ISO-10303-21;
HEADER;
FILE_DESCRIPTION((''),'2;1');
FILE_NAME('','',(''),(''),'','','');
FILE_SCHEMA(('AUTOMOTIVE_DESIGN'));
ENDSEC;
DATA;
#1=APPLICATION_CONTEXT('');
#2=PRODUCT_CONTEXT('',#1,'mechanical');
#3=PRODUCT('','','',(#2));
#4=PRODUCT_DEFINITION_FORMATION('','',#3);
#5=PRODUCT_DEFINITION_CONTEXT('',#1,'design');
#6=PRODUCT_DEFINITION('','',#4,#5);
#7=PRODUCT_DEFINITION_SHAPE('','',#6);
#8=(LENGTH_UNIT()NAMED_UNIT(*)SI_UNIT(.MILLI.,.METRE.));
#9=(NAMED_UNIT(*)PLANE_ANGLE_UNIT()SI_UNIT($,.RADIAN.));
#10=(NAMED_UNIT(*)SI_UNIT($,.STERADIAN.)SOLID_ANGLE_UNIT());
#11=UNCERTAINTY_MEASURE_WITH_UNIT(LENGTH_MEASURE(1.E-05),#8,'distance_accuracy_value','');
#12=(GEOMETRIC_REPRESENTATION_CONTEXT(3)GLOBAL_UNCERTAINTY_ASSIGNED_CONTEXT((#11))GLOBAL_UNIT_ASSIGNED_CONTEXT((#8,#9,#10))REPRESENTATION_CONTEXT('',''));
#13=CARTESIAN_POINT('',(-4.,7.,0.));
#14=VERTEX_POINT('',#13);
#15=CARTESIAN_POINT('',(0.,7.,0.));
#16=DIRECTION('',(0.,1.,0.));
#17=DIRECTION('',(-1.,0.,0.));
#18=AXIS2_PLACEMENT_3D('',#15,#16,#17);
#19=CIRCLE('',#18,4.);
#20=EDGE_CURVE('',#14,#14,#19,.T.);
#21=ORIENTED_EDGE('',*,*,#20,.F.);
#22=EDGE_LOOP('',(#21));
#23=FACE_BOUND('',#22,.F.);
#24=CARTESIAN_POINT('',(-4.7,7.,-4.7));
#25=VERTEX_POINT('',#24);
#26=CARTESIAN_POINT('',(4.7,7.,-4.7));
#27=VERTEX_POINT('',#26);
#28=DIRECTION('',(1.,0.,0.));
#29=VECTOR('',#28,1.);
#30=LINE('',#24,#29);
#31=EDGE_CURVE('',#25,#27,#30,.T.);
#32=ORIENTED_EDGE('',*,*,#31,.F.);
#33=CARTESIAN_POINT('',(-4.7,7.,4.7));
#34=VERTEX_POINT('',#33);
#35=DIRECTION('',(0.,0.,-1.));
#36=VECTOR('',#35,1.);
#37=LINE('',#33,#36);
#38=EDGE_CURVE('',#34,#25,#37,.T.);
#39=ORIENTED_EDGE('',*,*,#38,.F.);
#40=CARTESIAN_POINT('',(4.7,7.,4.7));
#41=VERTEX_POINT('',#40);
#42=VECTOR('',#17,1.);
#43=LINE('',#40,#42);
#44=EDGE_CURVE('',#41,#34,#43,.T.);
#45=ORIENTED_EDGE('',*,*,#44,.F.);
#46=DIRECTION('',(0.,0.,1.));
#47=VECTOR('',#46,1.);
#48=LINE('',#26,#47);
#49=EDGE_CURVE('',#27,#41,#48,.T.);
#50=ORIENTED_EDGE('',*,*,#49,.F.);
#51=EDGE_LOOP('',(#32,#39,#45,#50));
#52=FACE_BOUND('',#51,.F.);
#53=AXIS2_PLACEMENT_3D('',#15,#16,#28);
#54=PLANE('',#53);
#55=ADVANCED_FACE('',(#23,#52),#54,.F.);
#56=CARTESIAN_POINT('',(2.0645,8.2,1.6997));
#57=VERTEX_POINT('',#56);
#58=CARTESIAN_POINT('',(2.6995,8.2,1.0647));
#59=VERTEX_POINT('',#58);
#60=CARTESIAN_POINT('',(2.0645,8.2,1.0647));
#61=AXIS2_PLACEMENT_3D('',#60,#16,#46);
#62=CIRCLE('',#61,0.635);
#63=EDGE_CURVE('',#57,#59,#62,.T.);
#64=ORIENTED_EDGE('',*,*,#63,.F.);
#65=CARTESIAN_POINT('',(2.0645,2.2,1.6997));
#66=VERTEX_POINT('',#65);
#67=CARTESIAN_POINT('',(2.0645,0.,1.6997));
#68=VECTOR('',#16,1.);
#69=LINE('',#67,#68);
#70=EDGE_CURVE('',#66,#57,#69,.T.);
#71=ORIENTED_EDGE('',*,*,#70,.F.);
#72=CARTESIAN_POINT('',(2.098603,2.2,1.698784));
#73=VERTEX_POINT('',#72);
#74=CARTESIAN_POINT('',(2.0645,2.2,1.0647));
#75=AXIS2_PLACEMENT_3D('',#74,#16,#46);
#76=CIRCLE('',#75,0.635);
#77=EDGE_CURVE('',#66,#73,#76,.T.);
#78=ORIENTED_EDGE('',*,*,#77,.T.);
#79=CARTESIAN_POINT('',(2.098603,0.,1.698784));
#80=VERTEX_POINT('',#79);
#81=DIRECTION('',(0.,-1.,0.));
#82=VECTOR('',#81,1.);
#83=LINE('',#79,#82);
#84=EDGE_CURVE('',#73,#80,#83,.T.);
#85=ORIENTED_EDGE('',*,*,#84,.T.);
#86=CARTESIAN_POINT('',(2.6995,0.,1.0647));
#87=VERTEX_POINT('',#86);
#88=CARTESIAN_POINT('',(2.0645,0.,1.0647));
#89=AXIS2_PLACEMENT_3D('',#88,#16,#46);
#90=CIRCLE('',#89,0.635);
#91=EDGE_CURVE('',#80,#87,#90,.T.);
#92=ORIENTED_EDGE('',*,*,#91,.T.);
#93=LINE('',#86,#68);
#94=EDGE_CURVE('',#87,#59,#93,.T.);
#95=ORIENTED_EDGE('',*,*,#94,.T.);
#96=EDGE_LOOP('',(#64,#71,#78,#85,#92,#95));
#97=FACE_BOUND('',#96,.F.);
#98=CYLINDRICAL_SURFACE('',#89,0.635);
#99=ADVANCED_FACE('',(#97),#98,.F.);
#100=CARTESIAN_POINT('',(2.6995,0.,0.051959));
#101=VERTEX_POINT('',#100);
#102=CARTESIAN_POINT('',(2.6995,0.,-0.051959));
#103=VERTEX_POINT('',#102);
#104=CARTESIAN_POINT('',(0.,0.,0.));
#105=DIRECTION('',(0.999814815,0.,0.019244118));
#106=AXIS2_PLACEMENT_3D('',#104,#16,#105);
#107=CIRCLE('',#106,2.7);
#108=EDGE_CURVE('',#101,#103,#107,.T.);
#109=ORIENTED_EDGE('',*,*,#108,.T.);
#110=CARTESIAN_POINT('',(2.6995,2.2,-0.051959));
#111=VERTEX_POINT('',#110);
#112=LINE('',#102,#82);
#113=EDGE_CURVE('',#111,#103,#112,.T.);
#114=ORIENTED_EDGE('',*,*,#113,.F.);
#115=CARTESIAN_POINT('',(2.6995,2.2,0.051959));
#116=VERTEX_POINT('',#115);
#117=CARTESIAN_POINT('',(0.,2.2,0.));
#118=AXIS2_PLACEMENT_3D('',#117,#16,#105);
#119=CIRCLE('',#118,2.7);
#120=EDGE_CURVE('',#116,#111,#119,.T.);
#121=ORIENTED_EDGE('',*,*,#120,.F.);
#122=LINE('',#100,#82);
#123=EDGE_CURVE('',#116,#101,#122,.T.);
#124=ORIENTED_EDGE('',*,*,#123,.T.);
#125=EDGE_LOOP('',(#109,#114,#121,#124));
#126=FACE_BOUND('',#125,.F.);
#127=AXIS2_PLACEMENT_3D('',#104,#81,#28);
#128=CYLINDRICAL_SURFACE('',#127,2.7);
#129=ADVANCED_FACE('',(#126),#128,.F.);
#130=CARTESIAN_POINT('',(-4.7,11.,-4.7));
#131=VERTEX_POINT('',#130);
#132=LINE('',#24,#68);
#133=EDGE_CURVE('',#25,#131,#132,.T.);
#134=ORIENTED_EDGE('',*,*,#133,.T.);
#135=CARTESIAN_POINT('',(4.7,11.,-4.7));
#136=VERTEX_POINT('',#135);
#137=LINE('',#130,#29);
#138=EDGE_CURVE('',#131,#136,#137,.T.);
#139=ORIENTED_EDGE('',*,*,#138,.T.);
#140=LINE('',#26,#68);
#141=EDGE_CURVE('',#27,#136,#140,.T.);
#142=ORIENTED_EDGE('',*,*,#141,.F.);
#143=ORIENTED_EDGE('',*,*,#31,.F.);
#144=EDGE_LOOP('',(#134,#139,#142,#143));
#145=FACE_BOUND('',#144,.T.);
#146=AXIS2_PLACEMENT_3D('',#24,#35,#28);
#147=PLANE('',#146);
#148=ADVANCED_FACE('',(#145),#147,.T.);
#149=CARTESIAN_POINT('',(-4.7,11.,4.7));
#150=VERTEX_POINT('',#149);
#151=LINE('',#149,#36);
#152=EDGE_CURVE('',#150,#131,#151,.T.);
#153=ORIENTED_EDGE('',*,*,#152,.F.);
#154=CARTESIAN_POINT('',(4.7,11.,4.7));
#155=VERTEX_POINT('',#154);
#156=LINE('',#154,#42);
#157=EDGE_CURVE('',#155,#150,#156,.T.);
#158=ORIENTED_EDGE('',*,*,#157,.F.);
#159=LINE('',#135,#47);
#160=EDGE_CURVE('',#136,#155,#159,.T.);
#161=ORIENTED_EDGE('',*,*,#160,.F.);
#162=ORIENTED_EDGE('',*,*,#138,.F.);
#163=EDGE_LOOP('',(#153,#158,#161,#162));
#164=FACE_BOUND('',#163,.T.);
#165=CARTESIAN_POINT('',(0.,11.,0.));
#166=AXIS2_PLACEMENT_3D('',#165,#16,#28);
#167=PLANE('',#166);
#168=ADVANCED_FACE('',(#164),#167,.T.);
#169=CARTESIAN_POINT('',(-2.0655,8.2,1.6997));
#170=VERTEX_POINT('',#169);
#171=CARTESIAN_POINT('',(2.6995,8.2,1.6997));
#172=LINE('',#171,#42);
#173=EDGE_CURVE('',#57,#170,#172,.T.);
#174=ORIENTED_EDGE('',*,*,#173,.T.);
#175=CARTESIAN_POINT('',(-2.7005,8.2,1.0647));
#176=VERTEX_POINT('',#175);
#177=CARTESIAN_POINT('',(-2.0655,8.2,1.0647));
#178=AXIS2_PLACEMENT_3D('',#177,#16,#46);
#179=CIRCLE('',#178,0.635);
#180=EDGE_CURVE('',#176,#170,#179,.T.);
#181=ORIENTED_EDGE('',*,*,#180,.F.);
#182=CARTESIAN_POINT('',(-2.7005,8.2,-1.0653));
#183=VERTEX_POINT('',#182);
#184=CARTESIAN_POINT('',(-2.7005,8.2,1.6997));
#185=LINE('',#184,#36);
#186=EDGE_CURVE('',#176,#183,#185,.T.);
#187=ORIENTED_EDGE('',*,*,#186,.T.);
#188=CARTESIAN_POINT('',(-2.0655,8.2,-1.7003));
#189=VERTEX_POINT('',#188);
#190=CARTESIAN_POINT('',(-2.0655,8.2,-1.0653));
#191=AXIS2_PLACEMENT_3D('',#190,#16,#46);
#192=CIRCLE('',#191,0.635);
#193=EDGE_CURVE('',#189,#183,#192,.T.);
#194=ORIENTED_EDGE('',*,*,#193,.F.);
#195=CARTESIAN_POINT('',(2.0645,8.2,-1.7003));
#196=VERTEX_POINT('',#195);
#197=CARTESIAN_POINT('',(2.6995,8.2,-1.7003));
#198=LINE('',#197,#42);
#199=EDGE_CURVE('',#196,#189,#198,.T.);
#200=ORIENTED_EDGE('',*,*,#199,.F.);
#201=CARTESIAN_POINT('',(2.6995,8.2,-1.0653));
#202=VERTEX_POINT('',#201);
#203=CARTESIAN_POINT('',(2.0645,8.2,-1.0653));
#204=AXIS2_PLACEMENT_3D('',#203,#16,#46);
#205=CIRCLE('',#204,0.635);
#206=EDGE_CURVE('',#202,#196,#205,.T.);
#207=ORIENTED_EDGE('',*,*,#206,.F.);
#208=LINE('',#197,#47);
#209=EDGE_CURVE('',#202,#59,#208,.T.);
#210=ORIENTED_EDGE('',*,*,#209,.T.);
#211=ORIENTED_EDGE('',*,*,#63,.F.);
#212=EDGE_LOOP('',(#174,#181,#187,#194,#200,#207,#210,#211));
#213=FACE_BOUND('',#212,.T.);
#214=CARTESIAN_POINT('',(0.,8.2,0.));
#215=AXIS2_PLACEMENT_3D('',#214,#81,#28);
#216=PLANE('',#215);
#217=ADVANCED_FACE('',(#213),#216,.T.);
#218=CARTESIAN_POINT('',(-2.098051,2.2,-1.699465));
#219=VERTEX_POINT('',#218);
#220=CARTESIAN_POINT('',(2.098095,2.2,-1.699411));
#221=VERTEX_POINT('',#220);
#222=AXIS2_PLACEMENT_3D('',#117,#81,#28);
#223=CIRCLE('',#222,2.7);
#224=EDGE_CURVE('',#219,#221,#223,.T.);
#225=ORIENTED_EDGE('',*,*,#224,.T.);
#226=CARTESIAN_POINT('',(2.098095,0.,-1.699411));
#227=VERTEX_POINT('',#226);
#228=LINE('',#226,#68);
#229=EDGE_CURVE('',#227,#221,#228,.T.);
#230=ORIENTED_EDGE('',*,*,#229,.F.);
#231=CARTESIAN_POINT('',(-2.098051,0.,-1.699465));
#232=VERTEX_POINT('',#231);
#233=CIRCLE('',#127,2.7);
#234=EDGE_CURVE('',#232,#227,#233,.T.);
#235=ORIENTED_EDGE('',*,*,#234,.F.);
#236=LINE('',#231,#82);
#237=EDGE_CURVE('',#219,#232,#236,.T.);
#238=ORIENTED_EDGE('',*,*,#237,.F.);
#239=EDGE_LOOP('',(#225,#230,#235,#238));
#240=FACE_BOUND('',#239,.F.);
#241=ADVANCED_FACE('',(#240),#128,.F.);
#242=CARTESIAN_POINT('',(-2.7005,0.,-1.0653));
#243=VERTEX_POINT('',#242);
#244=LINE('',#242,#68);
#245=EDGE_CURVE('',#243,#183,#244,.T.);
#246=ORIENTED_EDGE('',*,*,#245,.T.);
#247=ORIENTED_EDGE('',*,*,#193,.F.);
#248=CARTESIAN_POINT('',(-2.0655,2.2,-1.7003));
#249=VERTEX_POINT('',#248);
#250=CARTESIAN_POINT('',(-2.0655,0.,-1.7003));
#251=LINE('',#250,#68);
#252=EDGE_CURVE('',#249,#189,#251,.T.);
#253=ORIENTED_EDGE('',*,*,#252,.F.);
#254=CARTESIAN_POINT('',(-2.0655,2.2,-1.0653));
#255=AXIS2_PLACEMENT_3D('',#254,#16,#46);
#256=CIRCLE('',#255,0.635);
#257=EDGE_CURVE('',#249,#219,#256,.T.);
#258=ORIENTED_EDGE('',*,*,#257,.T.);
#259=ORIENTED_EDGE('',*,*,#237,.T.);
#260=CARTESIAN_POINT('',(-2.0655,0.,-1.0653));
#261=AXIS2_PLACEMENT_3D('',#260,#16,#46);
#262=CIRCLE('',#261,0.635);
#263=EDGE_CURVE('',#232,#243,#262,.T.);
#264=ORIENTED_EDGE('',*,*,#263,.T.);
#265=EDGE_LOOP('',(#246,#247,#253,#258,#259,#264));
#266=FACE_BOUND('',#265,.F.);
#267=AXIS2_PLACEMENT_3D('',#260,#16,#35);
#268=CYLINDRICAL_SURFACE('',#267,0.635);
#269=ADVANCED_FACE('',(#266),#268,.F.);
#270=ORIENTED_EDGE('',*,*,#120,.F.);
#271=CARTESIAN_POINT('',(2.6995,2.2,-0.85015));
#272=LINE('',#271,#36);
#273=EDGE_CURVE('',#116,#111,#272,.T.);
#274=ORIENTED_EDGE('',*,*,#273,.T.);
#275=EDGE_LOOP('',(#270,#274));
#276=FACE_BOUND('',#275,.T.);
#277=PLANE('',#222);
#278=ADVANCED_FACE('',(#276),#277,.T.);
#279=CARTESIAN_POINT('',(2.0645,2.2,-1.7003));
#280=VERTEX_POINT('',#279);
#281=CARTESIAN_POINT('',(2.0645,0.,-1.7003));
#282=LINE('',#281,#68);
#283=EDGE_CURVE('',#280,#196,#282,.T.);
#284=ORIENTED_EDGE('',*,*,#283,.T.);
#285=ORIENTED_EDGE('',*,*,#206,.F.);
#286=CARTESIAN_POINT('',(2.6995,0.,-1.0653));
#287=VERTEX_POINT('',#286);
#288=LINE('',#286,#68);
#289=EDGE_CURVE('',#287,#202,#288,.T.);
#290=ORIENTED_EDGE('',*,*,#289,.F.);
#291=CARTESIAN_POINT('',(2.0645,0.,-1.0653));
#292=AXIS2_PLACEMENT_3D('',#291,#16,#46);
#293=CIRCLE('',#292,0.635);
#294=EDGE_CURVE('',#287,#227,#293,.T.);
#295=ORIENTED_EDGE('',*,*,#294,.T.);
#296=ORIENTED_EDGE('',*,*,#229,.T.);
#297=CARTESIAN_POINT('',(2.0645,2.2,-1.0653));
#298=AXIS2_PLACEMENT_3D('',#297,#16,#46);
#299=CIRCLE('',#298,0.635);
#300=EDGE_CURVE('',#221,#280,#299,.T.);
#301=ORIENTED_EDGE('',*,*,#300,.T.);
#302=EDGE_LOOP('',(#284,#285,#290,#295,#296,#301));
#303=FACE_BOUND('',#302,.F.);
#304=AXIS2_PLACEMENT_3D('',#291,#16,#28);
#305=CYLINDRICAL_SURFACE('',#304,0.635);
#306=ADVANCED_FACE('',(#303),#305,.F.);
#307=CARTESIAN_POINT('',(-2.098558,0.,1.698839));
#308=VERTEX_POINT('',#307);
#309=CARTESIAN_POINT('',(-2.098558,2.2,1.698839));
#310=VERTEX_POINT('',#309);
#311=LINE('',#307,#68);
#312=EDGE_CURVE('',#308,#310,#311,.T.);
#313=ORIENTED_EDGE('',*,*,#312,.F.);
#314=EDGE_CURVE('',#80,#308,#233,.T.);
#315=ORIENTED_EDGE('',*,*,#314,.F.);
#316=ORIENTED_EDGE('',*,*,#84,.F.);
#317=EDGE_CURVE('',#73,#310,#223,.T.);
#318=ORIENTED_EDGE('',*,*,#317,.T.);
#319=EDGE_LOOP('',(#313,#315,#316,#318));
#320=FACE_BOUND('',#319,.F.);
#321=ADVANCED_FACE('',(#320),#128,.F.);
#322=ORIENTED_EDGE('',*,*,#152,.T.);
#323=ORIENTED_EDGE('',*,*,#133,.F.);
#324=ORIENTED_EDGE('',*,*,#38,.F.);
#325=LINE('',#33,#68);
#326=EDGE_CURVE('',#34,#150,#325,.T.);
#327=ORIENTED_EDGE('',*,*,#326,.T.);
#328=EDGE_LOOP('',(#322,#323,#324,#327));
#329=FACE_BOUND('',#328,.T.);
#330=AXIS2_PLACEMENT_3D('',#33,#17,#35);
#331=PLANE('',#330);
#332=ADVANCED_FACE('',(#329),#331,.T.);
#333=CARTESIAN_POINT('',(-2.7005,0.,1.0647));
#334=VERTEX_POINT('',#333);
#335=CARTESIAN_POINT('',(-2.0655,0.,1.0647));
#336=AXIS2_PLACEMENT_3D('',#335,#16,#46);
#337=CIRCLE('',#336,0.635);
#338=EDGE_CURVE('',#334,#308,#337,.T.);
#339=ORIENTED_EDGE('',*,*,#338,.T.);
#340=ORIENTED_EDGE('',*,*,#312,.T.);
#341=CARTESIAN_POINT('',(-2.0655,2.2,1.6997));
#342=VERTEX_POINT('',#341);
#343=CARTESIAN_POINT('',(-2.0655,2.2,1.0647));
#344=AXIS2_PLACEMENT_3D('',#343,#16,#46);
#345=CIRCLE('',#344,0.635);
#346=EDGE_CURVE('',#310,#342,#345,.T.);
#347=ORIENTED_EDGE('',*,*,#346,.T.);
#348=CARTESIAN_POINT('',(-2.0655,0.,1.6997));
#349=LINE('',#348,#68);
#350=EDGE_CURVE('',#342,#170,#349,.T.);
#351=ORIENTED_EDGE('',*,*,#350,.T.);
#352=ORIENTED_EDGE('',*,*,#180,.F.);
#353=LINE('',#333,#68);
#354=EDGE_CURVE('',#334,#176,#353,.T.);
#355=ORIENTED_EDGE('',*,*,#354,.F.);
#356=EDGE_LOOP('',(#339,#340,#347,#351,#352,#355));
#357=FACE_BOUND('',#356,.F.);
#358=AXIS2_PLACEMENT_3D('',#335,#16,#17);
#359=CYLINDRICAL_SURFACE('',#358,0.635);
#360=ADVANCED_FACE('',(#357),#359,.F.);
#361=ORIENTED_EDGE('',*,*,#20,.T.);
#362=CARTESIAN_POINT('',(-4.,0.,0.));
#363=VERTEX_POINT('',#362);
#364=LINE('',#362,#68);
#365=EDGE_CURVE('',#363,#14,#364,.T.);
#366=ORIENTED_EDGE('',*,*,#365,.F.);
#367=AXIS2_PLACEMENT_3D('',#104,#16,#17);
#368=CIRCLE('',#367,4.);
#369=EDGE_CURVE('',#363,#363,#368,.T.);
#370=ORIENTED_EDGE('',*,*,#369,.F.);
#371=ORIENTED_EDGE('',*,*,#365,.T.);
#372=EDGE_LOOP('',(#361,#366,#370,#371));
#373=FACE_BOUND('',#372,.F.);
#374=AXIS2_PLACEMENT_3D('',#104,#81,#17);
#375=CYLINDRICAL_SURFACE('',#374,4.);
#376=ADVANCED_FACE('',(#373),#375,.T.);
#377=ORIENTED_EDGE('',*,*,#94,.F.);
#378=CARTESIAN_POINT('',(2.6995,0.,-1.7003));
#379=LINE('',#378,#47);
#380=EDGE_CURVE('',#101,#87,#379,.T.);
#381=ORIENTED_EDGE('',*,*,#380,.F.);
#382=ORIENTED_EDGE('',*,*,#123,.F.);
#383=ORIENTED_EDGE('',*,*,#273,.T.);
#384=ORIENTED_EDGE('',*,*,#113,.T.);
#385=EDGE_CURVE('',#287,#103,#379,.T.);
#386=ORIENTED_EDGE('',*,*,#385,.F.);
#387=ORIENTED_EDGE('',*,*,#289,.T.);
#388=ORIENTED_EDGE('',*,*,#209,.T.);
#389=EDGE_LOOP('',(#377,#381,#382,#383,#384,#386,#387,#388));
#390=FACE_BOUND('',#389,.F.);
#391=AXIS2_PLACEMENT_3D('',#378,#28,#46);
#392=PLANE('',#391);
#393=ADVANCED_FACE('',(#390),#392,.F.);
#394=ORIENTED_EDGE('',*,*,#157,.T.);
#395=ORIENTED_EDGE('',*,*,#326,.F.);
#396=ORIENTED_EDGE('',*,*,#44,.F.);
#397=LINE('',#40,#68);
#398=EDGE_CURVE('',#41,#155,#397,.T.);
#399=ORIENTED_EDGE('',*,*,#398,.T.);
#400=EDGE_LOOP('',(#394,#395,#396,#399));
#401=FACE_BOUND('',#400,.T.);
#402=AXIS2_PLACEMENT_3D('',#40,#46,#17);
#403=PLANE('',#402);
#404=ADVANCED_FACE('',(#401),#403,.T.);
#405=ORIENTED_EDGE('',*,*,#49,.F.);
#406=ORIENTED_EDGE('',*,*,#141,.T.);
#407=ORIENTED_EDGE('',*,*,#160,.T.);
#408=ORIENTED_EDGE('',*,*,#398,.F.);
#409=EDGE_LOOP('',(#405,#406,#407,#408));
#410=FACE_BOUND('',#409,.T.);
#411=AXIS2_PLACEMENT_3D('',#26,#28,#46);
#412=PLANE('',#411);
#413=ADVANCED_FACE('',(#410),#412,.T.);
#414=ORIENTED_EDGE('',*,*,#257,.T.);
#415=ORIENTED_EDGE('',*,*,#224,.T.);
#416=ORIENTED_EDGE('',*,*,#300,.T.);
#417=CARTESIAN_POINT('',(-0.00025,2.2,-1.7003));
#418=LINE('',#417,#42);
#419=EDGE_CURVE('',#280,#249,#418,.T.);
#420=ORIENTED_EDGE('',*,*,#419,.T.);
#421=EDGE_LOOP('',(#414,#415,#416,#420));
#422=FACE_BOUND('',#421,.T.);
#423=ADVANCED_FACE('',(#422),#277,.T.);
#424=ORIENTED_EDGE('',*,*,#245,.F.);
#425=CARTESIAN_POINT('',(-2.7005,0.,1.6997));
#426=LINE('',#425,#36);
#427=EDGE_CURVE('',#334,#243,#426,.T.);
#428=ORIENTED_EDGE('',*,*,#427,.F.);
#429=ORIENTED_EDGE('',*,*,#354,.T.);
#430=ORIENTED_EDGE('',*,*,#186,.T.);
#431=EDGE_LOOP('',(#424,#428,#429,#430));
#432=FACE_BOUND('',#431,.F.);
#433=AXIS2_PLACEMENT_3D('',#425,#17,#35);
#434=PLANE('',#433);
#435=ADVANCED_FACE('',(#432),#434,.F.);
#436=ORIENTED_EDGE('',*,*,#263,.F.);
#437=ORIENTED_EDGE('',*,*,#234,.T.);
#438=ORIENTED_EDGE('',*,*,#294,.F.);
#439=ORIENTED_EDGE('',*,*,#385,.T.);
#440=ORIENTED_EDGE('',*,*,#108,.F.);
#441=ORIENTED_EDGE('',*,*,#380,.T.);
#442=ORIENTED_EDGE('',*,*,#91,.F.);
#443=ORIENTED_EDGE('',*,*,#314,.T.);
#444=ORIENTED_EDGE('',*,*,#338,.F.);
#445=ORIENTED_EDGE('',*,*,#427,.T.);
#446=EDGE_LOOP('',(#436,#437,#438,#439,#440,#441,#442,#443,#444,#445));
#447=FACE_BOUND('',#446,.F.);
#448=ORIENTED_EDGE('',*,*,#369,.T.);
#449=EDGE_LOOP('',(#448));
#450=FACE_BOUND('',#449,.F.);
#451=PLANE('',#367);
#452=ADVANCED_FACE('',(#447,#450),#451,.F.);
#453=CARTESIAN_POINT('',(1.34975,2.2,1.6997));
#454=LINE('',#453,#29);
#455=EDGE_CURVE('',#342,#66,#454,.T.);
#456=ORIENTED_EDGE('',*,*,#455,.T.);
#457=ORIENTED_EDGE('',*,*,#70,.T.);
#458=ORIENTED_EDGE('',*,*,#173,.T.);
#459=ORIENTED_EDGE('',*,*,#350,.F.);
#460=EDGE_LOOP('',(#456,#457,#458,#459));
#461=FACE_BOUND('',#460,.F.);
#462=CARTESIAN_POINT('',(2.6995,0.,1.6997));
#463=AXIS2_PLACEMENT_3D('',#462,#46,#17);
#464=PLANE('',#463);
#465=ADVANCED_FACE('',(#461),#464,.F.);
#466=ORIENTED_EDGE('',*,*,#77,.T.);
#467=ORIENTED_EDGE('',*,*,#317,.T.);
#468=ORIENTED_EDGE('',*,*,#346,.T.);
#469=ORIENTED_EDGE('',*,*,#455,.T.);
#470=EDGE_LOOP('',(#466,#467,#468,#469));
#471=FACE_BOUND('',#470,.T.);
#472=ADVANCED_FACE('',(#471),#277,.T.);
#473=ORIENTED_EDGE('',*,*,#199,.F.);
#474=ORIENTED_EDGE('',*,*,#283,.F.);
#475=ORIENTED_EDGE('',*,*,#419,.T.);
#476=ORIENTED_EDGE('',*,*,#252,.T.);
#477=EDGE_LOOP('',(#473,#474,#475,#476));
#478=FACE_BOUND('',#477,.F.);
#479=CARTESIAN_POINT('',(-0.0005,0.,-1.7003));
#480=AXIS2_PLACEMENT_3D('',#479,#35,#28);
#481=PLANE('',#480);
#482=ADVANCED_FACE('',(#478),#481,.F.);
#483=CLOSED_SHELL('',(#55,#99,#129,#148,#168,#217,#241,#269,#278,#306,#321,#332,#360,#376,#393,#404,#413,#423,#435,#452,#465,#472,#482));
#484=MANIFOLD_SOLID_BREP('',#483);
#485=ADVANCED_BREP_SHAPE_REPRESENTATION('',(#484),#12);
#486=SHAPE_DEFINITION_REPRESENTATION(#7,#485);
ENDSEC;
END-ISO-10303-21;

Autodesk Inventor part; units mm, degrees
ref_plane "YZ Plane" through (0, 0, 0) normal (1, 0, 0) x (0, 1, 0)
ref_plane "XZ Plane" through (0, 0, 0) normal (0, 1, 0) x (-1, 0, 0)
ref_plane "XY Plane" through (0, 0, 0) normal (0, 0, 1) x (1, 0, 0)
sketch "Sketch1" plane through (0, 0, 0) normal (0, 1, 0) x (-1, 0, 0)
  line L0 (14.5, -14.5) -> (-14.5, -14.5)
  line L1 (-14.5, -14.5) -> (-14.5, 14.5)
  line L2 (-14.5, 14.5) -> (14.5, 14.5)
  line L3 (14.5, 14.5) -> (14.5, -14.5)
  circle A0 centre (0, 0) radius 4
  dimension "d11" = 29
  dimension "d14" = 29
  dimension "d31" = 8
extrude "Extrusion1" add sketch "Sketch1" along normal blind 7 contours A0
sketch "Sketch2" plane through (0, 7, 0) normal (0, 1, 0) x (1, 0, 0)
  line L0 (-4.7, 4.7) -> (4.7, 4.7)
  line L1 (4.7, 4.7) -> (4.7, -4.7)
  line L2 (4.7, -4.7) -> (-4.7, -4.7)
  line L3 (-4.7, -4.7) -> (-4.7, 4.7)
  line L4 (14.5, 14.5) -> (-14.5, 14.5) projected
  line L5 (14.5, -14.5) -> (14.5, 14.5) projected
  line L6 (-14.5, -14.5) -> (14.5, -14.5) projected
  line L7 (-14.5, 14.5) -> (-14.5, -14.5) projected
  point P0 (0, 0)
  dimension "d15" = 9.8
  dimension "d16" = 9.8
  dimension "d17" = 9.8
  dimension "d18" = 9.8
  dimension "d32" = 9.4
  dimension "d50" = 29
extrude "Extrusion2" add sketch "Sketch2" along normal blind 4 contours L0 L1 L2 L3
sketch "Sketch3" plane through (0, 0, 0) normal (0, -1, 0) x (1, 0, 0)
  line L0 (-0.0005, -0.0003) -> (-0.0005, -1.7003)
  line L1 (-0.0005, -1.7003) -> (2.6995, -1.7003)
  line L2 (2.6995, -1.7003) -> (2.6995, 1.6997)
  line L3 (2.6995, 1.6997) -> (-2.7005, 1.6997)
  line L4 (-2.7005, 1.6997) -> (-2.7005, -1.7003)
  line L5 (-2.7005, -1.7003) -> (-0.0005, -1.7003)
  dimension "d42" = 1.7
  dimension "d43" = 2.7
  dimension "d44" = 3.4
  dimension "d45" = 5.4
extrude "Extrusion3" cut sketch "Sketch3" against normal blind 8.2
sketch "Sketch5" plane through (0, 0, 0) normal (0, -1, 0) x (1, 0, 0)
  circle A0 centre (0, 0) radius 2.7
  dimension "d35" = 5.4
extrude "Extrusion4" cut sketch "Sketch5" against normal blind 2.2
fillet "Fillet1" radius 0.635 4 edges at (2.6995, 4.1, 1.6997) (2.6995, 4.1, -1.7003) (-2.7005, 4.1, -1.7003) (-2.7005, 4.1, 1.6997)
equation "\"d14\" = d11"
equation "\"d16\" = d15"
equation "\"d17\" = d15"
equation "\"d18\" = d15"
equation "\"d42\" = 0.5 * d44"
properties part number "Motor_Key_Bearing_2_2"
